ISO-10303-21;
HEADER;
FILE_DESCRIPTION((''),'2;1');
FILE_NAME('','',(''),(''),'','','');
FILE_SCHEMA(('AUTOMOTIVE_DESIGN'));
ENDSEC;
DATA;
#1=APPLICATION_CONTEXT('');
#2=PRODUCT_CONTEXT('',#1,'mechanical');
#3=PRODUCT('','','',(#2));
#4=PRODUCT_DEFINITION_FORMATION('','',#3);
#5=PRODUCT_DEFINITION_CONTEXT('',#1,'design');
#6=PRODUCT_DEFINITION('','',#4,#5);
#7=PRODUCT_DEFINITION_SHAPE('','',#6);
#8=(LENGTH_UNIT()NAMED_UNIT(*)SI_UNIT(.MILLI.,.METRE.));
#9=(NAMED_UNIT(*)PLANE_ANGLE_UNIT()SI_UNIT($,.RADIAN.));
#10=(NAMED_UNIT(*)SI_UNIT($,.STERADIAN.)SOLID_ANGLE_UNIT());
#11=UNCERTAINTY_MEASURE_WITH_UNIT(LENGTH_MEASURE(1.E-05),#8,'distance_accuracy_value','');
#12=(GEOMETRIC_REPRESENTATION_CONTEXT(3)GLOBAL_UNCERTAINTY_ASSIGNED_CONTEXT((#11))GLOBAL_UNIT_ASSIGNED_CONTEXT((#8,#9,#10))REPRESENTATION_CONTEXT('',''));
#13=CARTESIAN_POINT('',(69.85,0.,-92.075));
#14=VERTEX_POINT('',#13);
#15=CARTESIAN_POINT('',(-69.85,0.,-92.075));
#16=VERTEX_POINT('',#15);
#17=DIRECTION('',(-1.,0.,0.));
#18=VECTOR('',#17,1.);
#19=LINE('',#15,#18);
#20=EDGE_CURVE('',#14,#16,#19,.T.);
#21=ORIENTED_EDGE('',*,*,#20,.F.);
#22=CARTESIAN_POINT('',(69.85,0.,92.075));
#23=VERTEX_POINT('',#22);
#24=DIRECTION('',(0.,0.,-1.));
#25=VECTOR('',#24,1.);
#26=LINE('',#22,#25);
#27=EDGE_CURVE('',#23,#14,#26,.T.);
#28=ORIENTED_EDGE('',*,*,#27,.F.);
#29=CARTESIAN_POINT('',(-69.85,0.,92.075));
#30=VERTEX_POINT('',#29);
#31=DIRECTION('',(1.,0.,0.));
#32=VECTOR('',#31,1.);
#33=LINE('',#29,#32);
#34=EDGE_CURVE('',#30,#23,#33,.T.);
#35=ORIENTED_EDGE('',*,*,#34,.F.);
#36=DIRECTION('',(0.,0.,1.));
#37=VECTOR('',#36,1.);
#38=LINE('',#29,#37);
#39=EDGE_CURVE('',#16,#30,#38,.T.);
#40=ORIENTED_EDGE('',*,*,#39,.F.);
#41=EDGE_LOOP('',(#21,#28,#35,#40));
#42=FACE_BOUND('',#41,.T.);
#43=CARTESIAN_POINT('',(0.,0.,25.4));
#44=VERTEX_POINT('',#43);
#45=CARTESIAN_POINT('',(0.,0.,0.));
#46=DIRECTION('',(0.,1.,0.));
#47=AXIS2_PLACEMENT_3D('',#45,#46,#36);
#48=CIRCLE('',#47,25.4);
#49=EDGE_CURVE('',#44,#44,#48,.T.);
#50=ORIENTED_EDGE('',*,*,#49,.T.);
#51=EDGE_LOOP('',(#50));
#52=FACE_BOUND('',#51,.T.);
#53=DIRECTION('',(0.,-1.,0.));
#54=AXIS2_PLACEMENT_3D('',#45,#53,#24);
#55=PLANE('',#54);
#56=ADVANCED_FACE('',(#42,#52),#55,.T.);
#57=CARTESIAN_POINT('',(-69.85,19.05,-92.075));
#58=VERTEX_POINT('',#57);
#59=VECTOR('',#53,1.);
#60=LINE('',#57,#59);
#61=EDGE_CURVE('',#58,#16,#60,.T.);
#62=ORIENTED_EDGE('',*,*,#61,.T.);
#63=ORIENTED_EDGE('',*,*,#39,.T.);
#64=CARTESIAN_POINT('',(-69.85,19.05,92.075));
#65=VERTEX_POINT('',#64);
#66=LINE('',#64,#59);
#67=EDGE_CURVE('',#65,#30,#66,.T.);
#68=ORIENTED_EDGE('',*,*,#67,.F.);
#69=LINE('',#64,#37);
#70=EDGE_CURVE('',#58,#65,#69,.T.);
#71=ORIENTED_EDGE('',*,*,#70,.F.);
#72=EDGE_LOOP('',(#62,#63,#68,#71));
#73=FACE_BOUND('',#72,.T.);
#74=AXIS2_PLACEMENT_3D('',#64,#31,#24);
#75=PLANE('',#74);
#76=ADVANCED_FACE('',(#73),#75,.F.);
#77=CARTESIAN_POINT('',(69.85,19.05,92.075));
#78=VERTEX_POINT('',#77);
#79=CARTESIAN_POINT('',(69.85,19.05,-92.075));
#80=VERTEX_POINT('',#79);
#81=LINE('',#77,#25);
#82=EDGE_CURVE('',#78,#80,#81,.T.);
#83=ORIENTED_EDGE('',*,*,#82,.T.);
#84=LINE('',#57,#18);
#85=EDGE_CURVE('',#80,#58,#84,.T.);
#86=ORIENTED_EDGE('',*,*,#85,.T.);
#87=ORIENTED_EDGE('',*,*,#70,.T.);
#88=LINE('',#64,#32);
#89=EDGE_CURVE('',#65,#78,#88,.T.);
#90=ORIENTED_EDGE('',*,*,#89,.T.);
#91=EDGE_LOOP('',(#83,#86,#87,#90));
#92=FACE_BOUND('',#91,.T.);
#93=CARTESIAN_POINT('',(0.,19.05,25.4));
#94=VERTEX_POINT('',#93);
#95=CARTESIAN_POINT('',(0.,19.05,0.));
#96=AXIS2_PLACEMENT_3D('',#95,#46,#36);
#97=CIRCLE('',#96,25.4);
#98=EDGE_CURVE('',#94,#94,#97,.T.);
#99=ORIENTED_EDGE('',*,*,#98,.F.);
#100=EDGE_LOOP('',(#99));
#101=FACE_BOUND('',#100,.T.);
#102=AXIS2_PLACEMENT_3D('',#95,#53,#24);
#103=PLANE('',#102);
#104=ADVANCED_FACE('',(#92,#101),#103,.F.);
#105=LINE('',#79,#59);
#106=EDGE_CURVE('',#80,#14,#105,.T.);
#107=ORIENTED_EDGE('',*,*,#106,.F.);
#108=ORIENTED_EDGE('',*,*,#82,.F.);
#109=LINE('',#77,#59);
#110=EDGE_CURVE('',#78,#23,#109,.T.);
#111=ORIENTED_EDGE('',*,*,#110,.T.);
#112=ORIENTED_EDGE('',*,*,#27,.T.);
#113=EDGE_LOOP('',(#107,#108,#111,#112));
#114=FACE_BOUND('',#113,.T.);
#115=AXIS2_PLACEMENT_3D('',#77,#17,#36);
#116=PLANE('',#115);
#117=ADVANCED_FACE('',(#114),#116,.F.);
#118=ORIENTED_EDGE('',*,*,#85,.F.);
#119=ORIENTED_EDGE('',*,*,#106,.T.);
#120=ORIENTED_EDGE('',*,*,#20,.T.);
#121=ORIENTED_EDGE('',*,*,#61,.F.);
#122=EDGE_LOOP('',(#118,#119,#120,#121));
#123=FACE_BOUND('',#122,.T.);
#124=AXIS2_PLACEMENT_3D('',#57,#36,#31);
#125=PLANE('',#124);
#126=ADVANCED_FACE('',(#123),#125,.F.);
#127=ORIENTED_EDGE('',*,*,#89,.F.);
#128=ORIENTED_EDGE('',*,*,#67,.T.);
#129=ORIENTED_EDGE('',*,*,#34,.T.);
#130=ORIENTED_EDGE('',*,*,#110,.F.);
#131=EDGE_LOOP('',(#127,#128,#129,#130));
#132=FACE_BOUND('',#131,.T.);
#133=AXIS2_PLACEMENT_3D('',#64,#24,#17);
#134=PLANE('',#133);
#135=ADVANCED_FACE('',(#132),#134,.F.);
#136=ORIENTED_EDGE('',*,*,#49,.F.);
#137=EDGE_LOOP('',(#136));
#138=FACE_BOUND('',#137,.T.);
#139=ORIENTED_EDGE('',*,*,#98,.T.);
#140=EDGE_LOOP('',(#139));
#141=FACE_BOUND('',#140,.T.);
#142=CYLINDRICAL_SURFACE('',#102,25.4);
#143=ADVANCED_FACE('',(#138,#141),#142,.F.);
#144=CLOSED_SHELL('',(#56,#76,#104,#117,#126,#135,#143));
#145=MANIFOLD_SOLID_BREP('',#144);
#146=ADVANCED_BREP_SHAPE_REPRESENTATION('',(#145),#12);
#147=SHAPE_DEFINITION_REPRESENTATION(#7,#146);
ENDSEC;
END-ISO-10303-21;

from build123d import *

# Parameters (mm, degrees)
SKETCH1_W           = 139.7
SKETCH1_H           = 184.15
SKETCH1_R           = 25.4
BOSS_EXTRUDE1_DEPTH = 19.05


with BuildPart() as part:
    # Sketch1 → Boss-Extrude1 (new body)
    with BuildSketch(Plane(origin=(0, 0, 0), x_dir=(1, 0, 0), z_dir=(0, 1, 0))):
        Rectangle(SKETCH1_W, SKETCH1_H)
        Circle(SKETCH1_R, mode=Mode.SUBTRACT)
    extrude(amount=BOSS_EXTRUDE1_DEPTH)


solid = part.part
